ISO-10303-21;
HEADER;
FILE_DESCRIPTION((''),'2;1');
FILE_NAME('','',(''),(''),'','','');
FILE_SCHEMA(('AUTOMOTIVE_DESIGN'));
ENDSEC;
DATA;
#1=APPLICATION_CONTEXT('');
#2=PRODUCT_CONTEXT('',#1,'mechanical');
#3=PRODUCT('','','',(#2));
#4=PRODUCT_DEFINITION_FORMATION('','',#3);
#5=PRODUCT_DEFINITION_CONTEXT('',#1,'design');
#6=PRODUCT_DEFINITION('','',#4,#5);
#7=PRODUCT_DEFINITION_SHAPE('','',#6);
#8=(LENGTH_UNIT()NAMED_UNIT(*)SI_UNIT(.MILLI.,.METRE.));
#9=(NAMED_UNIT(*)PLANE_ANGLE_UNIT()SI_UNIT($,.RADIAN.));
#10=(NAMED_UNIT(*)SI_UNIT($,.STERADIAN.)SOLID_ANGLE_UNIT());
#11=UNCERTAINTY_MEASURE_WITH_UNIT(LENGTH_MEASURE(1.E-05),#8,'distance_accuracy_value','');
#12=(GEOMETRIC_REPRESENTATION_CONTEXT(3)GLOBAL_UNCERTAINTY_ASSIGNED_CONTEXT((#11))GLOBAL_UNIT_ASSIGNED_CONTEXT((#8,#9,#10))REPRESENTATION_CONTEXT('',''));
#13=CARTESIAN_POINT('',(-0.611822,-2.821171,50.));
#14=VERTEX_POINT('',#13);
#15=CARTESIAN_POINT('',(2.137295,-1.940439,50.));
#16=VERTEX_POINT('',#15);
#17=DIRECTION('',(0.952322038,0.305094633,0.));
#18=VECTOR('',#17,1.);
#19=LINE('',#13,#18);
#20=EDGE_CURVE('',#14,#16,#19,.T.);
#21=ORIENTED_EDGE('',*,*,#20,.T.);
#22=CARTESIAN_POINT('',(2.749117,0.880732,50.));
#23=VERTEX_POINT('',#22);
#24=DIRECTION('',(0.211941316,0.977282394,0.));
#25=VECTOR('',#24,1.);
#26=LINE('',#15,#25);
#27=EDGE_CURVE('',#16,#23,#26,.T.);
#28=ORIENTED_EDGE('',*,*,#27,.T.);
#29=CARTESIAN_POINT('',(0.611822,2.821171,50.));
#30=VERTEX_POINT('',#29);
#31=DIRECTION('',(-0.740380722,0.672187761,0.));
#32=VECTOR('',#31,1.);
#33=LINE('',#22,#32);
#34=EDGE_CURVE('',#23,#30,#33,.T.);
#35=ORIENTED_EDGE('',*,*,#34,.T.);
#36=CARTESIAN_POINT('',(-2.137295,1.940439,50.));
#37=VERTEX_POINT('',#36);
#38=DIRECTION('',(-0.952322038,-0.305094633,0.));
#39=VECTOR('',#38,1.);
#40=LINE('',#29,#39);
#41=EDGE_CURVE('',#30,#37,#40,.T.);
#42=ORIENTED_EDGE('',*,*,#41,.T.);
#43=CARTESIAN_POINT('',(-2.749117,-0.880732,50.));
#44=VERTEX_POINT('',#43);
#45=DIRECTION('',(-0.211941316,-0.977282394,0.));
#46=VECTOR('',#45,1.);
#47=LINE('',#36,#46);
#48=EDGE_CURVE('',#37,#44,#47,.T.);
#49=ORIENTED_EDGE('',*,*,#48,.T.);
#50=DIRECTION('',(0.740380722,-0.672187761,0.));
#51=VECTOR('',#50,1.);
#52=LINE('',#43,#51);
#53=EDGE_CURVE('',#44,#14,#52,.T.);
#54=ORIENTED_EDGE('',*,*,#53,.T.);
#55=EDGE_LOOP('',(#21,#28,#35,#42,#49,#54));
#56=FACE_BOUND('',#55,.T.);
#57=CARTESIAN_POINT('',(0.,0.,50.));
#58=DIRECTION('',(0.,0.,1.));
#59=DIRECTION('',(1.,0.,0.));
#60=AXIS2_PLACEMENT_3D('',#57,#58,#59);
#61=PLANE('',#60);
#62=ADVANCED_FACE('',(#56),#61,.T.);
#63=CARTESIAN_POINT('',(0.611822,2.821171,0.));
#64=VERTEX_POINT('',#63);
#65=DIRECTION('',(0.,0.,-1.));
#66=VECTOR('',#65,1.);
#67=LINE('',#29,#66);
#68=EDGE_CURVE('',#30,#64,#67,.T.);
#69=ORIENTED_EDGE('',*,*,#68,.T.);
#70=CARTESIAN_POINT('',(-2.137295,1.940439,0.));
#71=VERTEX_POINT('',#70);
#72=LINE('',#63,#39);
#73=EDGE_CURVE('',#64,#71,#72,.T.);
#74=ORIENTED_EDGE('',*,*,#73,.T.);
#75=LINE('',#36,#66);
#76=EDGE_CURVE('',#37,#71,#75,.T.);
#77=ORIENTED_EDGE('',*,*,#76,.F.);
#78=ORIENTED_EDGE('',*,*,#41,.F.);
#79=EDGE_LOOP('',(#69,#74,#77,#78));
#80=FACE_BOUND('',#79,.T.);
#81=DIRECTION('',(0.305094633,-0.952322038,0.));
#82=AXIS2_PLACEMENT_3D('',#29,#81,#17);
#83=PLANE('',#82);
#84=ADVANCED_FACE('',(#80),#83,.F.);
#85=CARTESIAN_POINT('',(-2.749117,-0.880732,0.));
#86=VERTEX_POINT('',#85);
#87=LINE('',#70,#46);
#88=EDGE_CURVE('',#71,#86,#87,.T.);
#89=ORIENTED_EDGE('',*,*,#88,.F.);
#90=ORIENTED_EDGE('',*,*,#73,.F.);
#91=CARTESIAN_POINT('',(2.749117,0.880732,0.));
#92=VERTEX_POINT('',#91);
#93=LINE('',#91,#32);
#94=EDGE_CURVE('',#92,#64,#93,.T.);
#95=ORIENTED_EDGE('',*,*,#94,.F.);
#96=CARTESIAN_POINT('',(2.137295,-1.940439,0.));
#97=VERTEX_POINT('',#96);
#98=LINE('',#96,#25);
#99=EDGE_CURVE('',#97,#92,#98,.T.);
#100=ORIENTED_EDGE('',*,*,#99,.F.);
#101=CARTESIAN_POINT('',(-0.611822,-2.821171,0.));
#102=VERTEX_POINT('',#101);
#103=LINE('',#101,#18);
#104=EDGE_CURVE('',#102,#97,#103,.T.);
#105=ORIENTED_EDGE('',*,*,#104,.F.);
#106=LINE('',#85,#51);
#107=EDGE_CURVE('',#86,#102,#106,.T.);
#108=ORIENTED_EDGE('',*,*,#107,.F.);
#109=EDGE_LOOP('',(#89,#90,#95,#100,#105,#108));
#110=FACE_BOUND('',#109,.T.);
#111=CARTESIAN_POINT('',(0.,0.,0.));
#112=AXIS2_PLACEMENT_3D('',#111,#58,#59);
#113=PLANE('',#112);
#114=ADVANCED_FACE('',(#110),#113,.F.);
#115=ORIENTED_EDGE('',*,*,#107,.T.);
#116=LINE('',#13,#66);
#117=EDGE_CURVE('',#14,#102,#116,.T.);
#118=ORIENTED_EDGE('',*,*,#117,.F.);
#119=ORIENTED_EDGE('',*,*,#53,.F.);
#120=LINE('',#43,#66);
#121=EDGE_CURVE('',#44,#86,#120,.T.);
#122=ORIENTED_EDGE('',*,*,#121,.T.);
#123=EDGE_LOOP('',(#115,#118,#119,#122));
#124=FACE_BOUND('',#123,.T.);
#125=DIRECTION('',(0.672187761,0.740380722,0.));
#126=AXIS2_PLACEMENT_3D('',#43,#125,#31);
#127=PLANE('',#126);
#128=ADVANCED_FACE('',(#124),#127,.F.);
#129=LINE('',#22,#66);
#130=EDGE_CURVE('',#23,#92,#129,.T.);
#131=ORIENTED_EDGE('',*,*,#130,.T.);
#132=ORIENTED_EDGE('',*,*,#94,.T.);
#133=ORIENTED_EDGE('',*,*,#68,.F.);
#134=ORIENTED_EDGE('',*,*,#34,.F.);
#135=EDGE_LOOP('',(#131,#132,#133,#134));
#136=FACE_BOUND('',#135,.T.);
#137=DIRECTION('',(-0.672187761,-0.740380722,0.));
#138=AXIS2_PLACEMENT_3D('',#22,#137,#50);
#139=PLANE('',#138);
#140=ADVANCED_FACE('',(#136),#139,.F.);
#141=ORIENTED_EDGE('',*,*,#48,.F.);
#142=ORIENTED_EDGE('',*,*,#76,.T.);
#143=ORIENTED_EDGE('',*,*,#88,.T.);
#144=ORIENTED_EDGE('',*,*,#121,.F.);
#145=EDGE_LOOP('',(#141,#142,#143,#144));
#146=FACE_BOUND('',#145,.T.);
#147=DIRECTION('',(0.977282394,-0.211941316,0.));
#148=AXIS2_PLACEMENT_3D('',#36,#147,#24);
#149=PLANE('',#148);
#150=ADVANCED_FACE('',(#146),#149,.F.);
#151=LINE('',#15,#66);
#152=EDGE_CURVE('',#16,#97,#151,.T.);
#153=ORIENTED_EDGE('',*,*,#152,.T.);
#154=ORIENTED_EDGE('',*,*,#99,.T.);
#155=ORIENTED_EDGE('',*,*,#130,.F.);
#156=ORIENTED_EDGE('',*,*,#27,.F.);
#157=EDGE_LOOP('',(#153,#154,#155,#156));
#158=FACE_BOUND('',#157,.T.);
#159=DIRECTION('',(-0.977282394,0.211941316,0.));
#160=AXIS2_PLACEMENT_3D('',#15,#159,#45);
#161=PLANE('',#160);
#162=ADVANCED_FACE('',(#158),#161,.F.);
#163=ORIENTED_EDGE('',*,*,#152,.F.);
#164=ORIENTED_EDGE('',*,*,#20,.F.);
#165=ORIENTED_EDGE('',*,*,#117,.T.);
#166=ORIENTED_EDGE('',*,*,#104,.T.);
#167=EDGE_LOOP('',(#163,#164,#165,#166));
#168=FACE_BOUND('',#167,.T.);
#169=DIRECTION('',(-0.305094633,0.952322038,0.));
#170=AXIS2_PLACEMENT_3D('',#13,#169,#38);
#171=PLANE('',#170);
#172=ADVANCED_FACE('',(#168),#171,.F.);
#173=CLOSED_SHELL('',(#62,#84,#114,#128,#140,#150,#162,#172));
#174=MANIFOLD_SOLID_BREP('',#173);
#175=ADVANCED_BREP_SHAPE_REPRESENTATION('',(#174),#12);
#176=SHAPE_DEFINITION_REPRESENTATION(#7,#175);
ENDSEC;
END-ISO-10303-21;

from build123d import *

# Parameters (mm, degrees)
BOSS_EXTRUDE1_DEPTH = 50


with BuildPart() as part:
    # Sketch1 → Boss-Extrude1 (new body)
    with BuildSketch(Plane.XY):
        Polygon((2.137295047, -1.940438924), (2.749116926, 0.880732344), (0.611821879, 2.821171268), (-2.137295047, 1.940438924), (-2.749116926, -0.880732344), (-0.611821879, -2.821171268), align=None)
    extrude(amount=BOSS_EXTRUDE1_DEPTH)


solid = part.part
